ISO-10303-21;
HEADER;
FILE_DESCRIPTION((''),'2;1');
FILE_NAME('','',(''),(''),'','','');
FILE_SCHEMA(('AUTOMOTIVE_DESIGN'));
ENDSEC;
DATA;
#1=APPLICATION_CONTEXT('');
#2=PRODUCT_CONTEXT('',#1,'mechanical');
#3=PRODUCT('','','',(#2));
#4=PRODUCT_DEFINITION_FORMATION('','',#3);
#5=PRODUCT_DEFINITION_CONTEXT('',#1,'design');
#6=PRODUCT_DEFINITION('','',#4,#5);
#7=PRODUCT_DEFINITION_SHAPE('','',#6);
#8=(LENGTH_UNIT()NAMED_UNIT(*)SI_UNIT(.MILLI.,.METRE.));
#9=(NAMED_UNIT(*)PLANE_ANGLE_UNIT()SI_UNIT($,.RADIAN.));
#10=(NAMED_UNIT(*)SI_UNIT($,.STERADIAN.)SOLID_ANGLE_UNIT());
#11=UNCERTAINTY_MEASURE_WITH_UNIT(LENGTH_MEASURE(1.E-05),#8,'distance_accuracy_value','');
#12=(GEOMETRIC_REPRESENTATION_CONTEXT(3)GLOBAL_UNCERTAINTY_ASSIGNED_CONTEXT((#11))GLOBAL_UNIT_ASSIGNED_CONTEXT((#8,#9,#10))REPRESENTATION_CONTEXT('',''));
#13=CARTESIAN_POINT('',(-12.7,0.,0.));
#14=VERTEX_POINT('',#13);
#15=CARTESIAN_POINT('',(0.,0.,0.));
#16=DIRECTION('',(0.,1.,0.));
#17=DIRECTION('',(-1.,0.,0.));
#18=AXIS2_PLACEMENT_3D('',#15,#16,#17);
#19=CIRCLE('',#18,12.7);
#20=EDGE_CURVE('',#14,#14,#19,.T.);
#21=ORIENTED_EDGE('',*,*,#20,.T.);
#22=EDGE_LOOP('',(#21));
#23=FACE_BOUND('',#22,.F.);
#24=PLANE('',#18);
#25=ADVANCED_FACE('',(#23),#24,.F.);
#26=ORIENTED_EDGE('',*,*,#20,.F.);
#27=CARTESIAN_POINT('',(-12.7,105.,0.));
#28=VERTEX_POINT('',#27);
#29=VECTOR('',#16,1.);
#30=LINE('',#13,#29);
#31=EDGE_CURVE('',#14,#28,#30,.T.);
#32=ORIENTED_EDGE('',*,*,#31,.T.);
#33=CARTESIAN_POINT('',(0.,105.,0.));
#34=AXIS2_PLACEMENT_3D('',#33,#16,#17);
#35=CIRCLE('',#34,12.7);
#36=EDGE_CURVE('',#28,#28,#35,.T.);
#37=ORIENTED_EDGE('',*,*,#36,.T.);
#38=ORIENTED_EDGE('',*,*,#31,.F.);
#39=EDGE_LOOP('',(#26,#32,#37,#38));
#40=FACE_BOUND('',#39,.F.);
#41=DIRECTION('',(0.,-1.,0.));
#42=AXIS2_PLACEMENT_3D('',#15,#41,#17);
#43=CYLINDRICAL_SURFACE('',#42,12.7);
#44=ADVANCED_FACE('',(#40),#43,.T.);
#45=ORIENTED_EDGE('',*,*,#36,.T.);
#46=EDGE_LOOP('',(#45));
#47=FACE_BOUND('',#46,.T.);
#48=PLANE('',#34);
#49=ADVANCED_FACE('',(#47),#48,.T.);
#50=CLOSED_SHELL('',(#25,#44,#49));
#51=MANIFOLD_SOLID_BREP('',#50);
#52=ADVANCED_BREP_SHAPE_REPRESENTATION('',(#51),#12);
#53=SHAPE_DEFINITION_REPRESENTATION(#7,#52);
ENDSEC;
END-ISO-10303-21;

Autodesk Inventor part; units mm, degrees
ref_plane "YZ Plane" through (0, 0, 0) normal (1, 0, 0) x (0, 1, 0)
ref_plane "XZ Plane" through (0, 0, 0) normal (0, 1, 0) x (-1, 0, 0)
ref_plane "XY Plane" through (0, 0, 0) normal (0, 0, 1) x (1, 0, 0)
sketch "Sketch1" plane through (0, 0, 0) normal (0, 1, 0) x (-1, 0, 0)
  circle A0 centre (0, 0) radius 12.7
  dimension "d0" = 25.4
extrude "Extrusion1" add sketch "Sketch1" along normal blind 105
thread "Thread1" size "1-8 UNC" class "2A" standard "ANSI Unified Screw Threads" length 15
properties part number "pasador" material "Steel, Carbon"
